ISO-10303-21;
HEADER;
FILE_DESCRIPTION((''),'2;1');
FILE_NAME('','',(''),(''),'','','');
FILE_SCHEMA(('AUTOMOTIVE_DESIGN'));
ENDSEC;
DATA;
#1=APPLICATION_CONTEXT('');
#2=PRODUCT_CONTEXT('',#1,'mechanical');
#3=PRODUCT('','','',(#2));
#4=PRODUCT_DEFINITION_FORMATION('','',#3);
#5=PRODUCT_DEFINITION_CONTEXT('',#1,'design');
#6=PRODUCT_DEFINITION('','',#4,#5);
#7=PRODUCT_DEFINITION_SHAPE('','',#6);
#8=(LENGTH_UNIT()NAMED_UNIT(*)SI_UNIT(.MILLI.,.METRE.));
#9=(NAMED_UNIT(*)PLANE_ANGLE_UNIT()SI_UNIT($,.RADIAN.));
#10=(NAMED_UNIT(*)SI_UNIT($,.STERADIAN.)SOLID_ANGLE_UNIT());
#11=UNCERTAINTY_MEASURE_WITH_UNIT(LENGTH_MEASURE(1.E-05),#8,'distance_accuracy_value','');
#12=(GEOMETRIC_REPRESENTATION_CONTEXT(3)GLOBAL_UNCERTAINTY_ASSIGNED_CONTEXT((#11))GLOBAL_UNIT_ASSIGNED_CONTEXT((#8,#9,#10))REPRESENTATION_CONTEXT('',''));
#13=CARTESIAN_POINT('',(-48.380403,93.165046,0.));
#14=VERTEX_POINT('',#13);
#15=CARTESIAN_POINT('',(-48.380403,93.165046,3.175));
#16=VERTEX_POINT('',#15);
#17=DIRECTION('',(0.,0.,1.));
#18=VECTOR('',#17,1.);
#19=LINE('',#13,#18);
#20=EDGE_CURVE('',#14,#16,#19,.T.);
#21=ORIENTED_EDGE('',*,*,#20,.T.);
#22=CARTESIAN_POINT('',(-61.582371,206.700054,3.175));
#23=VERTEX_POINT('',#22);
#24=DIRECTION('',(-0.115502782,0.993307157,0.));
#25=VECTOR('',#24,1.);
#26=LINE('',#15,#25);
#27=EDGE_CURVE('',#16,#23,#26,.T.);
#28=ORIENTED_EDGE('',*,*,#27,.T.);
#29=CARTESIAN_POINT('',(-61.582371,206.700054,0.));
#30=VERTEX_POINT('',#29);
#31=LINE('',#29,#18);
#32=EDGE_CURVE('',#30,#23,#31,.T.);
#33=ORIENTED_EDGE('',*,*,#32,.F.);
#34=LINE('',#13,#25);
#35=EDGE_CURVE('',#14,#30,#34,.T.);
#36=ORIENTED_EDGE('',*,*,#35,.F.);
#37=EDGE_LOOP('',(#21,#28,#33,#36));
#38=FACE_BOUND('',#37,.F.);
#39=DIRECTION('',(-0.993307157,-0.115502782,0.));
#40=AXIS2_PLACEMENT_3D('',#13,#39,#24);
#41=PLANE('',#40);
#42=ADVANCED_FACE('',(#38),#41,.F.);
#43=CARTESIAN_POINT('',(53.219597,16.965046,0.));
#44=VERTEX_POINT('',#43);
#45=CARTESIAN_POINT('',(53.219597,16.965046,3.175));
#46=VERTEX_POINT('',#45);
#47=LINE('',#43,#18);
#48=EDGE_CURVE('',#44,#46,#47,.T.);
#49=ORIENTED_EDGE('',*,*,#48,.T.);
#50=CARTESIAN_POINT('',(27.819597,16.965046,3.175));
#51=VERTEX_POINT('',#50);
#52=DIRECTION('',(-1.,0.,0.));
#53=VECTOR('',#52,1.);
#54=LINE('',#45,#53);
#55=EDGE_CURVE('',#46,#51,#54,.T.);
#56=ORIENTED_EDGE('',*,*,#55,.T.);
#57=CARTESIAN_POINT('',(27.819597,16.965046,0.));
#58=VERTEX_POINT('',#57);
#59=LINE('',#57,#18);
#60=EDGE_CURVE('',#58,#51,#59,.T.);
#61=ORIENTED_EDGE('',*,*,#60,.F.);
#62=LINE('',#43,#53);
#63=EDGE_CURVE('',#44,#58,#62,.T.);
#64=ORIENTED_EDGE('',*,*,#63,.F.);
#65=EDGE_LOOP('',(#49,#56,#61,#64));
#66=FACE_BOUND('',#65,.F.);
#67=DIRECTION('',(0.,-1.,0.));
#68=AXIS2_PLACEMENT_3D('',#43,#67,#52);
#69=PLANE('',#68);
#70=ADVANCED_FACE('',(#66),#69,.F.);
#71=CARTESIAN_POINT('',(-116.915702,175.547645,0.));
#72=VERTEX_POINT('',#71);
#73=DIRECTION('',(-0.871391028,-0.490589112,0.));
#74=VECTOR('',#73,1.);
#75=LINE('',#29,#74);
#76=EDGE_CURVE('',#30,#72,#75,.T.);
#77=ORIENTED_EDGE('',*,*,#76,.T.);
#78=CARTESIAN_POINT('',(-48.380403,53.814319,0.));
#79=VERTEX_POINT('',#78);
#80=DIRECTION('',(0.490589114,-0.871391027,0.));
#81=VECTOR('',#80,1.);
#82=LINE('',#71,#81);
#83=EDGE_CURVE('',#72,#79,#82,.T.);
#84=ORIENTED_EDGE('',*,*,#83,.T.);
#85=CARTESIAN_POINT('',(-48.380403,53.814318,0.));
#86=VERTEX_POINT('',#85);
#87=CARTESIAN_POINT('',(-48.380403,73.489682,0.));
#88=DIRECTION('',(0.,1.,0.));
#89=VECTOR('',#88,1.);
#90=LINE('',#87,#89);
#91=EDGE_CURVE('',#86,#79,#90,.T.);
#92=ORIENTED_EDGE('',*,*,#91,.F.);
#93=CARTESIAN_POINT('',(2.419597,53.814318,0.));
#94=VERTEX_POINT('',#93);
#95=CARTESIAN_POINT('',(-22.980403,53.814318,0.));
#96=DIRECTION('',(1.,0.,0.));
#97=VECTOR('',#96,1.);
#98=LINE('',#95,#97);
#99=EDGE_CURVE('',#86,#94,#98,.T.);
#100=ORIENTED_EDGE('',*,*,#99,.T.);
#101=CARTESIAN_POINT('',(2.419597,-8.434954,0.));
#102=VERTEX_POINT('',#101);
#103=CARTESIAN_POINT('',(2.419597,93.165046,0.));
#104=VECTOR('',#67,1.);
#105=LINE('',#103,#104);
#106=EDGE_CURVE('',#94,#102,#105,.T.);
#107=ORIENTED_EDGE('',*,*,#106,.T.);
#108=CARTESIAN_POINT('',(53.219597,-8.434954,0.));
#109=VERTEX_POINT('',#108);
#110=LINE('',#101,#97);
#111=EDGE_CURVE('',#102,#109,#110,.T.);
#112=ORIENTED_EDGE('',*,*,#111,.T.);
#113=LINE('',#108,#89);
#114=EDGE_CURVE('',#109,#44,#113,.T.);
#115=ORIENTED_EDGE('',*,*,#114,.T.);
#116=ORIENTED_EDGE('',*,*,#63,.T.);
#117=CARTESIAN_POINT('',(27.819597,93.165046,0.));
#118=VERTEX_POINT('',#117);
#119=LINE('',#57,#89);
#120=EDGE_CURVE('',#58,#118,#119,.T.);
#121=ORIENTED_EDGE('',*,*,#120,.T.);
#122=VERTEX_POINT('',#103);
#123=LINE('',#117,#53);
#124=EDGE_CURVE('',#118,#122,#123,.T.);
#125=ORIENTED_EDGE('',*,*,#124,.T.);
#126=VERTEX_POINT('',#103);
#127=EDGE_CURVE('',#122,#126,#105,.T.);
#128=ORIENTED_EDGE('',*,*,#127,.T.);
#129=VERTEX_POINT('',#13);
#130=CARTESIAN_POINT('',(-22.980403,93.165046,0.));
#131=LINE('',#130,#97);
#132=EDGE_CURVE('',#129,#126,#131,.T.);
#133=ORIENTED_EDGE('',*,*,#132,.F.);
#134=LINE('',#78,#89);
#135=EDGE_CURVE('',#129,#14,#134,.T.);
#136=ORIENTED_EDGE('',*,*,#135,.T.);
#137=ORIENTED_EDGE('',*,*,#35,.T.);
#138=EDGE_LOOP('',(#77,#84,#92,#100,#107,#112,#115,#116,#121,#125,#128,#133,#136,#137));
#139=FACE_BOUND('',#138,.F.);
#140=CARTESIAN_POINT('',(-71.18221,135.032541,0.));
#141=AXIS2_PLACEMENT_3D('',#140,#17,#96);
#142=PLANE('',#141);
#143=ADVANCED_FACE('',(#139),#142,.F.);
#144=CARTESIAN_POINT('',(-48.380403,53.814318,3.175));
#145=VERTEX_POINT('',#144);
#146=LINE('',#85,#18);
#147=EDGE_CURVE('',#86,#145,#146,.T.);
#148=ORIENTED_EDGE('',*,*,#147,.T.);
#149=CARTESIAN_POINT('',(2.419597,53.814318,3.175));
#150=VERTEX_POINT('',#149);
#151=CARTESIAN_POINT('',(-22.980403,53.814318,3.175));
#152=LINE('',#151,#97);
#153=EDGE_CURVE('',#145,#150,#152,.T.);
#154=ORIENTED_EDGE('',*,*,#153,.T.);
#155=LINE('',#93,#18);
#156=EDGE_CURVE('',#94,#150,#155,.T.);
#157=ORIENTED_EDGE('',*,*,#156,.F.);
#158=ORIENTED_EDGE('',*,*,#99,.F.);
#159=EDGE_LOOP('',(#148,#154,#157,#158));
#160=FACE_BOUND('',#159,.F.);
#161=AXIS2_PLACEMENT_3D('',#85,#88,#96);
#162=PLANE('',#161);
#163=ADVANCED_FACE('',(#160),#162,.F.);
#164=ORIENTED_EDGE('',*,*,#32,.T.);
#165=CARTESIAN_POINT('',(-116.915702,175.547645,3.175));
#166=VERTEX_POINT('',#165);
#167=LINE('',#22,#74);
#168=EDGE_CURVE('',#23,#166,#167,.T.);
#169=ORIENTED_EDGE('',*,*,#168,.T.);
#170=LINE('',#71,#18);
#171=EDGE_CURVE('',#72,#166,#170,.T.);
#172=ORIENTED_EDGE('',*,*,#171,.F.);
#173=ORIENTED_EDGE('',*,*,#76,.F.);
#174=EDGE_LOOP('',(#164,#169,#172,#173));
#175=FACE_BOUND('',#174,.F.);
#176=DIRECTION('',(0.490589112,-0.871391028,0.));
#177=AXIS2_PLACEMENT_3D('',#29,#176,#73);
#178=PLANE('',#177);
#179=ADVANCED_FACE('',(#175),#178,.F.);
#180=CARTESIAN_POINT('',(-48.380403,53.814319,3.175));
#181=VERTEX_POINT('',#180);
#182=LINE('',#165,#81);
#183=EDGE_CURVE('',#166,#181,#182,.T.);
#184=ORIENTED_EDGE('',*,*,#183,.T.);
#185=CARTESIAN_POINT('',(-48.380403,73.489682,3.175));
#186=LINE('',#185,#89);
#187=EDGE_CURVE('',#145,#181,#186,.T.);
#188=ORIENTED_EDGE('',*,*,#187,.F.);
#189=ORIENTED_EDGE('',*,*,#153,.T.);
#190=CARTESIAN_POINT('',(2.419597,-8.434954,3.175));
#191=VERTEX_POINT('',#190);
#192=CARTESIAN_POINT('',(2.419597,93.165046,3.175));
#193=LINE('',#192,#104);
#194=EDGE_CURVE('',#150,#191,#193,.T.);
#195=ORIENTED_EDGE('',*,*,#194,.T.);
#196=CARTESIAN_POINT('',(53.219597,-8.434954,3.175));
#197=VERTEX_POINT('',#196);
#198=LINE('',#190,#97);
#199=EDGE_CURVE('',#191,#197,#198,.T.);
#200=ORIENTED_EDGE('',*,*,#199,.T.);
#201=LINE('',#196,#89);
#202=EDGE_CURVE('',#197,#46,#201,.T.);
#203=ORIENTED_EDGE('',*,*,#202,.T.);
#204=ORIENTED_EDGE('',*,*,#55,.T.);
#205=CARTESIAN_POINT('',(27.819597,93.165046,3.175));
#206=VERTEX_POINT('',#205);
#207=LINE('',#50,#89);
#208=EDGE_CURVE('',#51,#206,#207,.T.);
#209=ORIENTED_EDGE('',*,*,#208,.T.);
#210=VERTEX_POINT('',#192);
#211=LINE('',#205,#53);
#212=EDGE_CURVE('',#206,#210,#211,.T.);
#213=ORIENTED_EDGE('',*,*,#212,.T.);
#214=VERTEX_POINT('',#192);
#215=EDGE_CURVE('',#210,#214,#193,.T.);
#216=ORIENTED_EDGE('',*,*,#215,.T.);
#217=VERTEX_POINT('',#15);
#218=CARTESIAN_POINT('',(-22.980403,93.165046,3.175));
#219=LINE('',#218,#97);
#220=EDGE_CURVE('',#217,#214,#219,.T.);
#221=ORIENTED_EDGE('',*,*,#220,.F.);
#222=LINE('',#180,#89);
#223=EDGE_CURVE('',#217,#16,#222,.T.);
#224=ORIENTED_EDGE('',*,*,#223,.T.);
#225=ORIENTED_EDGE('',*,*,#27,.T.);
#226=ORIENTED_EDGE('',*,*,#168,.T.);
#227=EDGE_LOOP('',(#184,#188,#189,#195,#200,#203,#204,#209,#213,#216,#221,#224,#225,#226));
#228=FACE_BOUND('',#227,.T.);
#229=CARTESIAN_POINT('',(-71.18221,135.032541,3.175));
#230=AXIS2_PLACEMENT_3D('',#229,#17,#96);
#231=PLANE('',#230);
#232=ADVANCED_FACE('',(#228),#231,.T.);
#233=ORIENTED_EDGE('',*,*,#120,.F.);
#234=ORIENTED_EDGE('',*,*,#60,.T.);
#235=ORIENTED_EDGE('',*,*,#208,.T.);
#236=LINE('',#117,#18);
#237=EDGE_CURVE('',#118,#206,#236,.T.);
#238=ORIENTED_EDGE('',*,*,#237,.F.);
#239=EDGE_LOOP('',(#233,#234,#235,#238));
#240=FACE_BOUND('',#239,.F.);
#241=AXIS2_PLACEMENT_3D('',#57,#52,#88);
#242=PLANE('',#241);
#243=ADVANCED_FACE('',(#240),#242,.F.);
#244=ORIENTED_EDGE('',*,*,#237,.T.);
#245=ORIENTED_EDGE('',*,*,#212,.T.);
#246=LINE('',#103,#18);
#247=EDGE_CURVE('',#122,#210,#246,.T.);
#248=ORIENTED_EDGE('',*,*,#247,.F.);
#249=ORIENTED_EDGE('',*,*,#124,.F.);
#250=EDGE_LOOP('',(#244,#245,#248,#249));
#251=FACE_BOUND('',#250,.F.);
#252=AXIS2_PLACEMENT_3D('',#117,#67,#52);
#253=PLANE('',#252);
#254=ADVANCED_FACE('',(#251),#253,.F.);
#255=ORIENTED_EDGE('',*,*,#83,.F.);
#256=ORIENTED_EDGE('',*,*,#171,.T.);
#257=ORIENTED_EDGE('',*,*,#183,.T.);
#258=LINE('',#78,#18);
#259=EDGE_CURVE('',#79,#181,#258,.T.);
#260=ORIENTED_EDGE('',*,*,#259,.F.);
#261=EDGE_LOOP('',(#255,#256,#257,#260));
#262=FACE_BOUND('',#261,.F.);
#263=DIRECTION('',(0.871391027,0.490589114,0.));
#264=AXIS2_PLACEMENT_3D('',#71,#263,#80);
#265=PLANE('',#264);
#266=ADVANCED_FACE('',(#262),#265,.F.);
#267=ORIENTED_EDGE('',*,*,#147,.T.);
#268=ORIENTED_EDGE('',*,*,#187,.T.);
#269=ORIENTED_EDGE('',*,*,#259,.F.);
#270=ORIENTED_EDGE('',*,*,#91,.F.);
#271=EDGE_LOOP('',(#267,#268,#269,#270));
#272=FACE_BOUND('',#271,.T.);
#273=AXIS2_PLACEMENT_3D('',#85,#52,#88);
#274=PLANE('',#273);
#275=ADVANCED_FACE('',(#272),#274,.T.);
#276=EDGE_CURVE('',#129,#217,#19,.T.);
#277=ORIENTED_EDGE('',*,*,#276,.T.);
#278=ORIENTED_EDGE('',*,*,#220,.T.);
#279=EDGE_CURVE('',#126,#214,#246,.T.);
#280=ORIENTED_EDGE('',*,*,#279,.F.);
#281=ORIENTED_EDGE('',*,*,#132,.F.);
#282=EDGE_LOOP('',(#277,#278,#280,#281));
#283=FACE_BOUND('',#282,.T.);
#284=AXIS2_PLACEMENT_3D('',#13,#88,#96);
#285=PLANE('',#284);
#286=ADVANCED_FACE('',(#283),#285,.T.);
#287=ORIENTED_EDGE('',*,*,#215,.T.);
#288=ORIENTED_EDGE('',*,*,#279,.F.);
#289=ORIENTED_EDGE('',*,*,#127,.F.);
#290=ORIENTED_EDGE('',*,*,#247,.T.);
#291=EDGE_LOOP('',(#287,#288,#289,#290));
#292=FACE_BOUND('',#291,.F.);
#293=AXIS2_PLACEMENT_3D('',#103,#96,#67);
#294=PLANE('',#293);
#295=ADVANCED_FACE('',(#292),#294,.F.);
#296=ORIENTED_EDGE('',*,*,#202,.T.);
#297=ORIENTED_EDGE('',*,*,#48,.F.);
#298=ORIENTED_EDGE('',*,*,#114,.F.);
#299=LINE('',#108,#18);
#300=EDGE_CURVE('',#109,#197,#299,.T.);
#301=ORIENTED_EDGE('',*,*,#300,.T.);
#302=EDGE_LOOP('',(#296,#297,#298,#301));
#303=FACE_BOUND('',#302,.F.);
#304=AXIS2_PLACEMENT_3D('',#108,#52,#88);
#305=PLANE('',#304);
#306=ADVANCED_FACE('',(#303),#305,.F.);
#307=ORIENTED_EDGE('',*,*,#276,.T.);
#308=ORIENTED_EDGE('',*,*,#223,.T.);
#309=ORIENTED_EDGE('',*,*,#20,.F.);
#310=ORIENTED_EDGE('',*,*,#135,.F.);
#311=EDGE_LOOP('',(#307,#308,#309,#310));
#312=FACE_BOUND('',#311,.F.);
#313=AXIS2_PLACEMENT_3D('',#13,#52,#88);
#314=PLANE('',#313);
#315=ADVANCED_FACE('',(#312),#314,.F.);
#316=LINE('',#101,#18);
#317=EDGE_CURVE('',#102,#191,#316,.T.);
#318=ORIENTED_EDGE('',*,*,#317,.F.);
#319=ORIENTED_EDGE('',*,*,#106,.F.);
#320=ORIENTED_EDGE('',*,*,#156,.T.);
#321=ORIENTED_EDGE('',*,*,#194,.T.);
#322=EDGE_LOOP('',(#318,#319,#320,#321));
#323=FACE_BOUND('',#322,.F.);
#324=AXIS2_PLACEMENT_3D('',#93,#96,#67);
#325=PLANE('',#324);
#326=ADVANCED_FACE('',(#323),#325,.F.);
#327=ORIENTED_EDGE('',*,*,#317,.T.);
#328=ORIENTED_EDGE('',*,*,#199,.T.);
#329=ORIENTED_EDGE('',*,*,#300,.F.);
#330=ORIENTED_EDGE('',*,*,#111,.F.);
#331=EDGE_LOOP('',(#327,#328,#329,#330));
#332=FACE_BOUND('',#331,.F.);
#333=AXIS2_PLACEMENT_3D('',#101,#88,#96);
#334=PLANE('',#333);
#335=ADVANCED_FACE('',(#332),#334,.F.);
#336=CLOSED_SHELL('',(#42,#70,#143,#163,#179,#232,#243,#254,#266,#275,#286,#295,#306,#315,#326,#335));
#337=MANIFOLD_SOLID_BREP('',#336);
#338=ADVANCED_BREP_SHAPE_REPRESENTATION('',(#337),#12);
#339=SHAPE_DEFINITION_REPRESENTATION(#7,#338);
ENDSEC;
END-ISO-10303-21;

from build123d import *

# Parameters (mm, degrees)
F0_W     = 50.8
F0_H     = 39.350727
F1_DEPTH = 3.175


with BuildPart() as f1:
    # F0 (on Top) → F1 (new body)
    with BuildSketch(Plane.XY):
        Polygon((-116.915702, 175.547645), (-48.380403, 53.814319), (-48.380403, 93.165046), (-61.582371, 206.700054), align=None)
        Polygon((2.419597, 16.965046), (2.419597, -8.434954), (53.219597, -8.434954), (53.219597, 16.965046), (27.819597, 16.965046), align=None)
        Polygon((2.419597, 53.814319), (2.419597, 16.965046), (27.819597, 16.965046), (27.819597, 93.165046), (2.419597, 93.165046), align=None)
        with Locations((-22.980403, 73.489682)):
            Rectangle(F0_W, F0_H)
    extrude(amount=F1_DEPTH)


solid = f1.part
